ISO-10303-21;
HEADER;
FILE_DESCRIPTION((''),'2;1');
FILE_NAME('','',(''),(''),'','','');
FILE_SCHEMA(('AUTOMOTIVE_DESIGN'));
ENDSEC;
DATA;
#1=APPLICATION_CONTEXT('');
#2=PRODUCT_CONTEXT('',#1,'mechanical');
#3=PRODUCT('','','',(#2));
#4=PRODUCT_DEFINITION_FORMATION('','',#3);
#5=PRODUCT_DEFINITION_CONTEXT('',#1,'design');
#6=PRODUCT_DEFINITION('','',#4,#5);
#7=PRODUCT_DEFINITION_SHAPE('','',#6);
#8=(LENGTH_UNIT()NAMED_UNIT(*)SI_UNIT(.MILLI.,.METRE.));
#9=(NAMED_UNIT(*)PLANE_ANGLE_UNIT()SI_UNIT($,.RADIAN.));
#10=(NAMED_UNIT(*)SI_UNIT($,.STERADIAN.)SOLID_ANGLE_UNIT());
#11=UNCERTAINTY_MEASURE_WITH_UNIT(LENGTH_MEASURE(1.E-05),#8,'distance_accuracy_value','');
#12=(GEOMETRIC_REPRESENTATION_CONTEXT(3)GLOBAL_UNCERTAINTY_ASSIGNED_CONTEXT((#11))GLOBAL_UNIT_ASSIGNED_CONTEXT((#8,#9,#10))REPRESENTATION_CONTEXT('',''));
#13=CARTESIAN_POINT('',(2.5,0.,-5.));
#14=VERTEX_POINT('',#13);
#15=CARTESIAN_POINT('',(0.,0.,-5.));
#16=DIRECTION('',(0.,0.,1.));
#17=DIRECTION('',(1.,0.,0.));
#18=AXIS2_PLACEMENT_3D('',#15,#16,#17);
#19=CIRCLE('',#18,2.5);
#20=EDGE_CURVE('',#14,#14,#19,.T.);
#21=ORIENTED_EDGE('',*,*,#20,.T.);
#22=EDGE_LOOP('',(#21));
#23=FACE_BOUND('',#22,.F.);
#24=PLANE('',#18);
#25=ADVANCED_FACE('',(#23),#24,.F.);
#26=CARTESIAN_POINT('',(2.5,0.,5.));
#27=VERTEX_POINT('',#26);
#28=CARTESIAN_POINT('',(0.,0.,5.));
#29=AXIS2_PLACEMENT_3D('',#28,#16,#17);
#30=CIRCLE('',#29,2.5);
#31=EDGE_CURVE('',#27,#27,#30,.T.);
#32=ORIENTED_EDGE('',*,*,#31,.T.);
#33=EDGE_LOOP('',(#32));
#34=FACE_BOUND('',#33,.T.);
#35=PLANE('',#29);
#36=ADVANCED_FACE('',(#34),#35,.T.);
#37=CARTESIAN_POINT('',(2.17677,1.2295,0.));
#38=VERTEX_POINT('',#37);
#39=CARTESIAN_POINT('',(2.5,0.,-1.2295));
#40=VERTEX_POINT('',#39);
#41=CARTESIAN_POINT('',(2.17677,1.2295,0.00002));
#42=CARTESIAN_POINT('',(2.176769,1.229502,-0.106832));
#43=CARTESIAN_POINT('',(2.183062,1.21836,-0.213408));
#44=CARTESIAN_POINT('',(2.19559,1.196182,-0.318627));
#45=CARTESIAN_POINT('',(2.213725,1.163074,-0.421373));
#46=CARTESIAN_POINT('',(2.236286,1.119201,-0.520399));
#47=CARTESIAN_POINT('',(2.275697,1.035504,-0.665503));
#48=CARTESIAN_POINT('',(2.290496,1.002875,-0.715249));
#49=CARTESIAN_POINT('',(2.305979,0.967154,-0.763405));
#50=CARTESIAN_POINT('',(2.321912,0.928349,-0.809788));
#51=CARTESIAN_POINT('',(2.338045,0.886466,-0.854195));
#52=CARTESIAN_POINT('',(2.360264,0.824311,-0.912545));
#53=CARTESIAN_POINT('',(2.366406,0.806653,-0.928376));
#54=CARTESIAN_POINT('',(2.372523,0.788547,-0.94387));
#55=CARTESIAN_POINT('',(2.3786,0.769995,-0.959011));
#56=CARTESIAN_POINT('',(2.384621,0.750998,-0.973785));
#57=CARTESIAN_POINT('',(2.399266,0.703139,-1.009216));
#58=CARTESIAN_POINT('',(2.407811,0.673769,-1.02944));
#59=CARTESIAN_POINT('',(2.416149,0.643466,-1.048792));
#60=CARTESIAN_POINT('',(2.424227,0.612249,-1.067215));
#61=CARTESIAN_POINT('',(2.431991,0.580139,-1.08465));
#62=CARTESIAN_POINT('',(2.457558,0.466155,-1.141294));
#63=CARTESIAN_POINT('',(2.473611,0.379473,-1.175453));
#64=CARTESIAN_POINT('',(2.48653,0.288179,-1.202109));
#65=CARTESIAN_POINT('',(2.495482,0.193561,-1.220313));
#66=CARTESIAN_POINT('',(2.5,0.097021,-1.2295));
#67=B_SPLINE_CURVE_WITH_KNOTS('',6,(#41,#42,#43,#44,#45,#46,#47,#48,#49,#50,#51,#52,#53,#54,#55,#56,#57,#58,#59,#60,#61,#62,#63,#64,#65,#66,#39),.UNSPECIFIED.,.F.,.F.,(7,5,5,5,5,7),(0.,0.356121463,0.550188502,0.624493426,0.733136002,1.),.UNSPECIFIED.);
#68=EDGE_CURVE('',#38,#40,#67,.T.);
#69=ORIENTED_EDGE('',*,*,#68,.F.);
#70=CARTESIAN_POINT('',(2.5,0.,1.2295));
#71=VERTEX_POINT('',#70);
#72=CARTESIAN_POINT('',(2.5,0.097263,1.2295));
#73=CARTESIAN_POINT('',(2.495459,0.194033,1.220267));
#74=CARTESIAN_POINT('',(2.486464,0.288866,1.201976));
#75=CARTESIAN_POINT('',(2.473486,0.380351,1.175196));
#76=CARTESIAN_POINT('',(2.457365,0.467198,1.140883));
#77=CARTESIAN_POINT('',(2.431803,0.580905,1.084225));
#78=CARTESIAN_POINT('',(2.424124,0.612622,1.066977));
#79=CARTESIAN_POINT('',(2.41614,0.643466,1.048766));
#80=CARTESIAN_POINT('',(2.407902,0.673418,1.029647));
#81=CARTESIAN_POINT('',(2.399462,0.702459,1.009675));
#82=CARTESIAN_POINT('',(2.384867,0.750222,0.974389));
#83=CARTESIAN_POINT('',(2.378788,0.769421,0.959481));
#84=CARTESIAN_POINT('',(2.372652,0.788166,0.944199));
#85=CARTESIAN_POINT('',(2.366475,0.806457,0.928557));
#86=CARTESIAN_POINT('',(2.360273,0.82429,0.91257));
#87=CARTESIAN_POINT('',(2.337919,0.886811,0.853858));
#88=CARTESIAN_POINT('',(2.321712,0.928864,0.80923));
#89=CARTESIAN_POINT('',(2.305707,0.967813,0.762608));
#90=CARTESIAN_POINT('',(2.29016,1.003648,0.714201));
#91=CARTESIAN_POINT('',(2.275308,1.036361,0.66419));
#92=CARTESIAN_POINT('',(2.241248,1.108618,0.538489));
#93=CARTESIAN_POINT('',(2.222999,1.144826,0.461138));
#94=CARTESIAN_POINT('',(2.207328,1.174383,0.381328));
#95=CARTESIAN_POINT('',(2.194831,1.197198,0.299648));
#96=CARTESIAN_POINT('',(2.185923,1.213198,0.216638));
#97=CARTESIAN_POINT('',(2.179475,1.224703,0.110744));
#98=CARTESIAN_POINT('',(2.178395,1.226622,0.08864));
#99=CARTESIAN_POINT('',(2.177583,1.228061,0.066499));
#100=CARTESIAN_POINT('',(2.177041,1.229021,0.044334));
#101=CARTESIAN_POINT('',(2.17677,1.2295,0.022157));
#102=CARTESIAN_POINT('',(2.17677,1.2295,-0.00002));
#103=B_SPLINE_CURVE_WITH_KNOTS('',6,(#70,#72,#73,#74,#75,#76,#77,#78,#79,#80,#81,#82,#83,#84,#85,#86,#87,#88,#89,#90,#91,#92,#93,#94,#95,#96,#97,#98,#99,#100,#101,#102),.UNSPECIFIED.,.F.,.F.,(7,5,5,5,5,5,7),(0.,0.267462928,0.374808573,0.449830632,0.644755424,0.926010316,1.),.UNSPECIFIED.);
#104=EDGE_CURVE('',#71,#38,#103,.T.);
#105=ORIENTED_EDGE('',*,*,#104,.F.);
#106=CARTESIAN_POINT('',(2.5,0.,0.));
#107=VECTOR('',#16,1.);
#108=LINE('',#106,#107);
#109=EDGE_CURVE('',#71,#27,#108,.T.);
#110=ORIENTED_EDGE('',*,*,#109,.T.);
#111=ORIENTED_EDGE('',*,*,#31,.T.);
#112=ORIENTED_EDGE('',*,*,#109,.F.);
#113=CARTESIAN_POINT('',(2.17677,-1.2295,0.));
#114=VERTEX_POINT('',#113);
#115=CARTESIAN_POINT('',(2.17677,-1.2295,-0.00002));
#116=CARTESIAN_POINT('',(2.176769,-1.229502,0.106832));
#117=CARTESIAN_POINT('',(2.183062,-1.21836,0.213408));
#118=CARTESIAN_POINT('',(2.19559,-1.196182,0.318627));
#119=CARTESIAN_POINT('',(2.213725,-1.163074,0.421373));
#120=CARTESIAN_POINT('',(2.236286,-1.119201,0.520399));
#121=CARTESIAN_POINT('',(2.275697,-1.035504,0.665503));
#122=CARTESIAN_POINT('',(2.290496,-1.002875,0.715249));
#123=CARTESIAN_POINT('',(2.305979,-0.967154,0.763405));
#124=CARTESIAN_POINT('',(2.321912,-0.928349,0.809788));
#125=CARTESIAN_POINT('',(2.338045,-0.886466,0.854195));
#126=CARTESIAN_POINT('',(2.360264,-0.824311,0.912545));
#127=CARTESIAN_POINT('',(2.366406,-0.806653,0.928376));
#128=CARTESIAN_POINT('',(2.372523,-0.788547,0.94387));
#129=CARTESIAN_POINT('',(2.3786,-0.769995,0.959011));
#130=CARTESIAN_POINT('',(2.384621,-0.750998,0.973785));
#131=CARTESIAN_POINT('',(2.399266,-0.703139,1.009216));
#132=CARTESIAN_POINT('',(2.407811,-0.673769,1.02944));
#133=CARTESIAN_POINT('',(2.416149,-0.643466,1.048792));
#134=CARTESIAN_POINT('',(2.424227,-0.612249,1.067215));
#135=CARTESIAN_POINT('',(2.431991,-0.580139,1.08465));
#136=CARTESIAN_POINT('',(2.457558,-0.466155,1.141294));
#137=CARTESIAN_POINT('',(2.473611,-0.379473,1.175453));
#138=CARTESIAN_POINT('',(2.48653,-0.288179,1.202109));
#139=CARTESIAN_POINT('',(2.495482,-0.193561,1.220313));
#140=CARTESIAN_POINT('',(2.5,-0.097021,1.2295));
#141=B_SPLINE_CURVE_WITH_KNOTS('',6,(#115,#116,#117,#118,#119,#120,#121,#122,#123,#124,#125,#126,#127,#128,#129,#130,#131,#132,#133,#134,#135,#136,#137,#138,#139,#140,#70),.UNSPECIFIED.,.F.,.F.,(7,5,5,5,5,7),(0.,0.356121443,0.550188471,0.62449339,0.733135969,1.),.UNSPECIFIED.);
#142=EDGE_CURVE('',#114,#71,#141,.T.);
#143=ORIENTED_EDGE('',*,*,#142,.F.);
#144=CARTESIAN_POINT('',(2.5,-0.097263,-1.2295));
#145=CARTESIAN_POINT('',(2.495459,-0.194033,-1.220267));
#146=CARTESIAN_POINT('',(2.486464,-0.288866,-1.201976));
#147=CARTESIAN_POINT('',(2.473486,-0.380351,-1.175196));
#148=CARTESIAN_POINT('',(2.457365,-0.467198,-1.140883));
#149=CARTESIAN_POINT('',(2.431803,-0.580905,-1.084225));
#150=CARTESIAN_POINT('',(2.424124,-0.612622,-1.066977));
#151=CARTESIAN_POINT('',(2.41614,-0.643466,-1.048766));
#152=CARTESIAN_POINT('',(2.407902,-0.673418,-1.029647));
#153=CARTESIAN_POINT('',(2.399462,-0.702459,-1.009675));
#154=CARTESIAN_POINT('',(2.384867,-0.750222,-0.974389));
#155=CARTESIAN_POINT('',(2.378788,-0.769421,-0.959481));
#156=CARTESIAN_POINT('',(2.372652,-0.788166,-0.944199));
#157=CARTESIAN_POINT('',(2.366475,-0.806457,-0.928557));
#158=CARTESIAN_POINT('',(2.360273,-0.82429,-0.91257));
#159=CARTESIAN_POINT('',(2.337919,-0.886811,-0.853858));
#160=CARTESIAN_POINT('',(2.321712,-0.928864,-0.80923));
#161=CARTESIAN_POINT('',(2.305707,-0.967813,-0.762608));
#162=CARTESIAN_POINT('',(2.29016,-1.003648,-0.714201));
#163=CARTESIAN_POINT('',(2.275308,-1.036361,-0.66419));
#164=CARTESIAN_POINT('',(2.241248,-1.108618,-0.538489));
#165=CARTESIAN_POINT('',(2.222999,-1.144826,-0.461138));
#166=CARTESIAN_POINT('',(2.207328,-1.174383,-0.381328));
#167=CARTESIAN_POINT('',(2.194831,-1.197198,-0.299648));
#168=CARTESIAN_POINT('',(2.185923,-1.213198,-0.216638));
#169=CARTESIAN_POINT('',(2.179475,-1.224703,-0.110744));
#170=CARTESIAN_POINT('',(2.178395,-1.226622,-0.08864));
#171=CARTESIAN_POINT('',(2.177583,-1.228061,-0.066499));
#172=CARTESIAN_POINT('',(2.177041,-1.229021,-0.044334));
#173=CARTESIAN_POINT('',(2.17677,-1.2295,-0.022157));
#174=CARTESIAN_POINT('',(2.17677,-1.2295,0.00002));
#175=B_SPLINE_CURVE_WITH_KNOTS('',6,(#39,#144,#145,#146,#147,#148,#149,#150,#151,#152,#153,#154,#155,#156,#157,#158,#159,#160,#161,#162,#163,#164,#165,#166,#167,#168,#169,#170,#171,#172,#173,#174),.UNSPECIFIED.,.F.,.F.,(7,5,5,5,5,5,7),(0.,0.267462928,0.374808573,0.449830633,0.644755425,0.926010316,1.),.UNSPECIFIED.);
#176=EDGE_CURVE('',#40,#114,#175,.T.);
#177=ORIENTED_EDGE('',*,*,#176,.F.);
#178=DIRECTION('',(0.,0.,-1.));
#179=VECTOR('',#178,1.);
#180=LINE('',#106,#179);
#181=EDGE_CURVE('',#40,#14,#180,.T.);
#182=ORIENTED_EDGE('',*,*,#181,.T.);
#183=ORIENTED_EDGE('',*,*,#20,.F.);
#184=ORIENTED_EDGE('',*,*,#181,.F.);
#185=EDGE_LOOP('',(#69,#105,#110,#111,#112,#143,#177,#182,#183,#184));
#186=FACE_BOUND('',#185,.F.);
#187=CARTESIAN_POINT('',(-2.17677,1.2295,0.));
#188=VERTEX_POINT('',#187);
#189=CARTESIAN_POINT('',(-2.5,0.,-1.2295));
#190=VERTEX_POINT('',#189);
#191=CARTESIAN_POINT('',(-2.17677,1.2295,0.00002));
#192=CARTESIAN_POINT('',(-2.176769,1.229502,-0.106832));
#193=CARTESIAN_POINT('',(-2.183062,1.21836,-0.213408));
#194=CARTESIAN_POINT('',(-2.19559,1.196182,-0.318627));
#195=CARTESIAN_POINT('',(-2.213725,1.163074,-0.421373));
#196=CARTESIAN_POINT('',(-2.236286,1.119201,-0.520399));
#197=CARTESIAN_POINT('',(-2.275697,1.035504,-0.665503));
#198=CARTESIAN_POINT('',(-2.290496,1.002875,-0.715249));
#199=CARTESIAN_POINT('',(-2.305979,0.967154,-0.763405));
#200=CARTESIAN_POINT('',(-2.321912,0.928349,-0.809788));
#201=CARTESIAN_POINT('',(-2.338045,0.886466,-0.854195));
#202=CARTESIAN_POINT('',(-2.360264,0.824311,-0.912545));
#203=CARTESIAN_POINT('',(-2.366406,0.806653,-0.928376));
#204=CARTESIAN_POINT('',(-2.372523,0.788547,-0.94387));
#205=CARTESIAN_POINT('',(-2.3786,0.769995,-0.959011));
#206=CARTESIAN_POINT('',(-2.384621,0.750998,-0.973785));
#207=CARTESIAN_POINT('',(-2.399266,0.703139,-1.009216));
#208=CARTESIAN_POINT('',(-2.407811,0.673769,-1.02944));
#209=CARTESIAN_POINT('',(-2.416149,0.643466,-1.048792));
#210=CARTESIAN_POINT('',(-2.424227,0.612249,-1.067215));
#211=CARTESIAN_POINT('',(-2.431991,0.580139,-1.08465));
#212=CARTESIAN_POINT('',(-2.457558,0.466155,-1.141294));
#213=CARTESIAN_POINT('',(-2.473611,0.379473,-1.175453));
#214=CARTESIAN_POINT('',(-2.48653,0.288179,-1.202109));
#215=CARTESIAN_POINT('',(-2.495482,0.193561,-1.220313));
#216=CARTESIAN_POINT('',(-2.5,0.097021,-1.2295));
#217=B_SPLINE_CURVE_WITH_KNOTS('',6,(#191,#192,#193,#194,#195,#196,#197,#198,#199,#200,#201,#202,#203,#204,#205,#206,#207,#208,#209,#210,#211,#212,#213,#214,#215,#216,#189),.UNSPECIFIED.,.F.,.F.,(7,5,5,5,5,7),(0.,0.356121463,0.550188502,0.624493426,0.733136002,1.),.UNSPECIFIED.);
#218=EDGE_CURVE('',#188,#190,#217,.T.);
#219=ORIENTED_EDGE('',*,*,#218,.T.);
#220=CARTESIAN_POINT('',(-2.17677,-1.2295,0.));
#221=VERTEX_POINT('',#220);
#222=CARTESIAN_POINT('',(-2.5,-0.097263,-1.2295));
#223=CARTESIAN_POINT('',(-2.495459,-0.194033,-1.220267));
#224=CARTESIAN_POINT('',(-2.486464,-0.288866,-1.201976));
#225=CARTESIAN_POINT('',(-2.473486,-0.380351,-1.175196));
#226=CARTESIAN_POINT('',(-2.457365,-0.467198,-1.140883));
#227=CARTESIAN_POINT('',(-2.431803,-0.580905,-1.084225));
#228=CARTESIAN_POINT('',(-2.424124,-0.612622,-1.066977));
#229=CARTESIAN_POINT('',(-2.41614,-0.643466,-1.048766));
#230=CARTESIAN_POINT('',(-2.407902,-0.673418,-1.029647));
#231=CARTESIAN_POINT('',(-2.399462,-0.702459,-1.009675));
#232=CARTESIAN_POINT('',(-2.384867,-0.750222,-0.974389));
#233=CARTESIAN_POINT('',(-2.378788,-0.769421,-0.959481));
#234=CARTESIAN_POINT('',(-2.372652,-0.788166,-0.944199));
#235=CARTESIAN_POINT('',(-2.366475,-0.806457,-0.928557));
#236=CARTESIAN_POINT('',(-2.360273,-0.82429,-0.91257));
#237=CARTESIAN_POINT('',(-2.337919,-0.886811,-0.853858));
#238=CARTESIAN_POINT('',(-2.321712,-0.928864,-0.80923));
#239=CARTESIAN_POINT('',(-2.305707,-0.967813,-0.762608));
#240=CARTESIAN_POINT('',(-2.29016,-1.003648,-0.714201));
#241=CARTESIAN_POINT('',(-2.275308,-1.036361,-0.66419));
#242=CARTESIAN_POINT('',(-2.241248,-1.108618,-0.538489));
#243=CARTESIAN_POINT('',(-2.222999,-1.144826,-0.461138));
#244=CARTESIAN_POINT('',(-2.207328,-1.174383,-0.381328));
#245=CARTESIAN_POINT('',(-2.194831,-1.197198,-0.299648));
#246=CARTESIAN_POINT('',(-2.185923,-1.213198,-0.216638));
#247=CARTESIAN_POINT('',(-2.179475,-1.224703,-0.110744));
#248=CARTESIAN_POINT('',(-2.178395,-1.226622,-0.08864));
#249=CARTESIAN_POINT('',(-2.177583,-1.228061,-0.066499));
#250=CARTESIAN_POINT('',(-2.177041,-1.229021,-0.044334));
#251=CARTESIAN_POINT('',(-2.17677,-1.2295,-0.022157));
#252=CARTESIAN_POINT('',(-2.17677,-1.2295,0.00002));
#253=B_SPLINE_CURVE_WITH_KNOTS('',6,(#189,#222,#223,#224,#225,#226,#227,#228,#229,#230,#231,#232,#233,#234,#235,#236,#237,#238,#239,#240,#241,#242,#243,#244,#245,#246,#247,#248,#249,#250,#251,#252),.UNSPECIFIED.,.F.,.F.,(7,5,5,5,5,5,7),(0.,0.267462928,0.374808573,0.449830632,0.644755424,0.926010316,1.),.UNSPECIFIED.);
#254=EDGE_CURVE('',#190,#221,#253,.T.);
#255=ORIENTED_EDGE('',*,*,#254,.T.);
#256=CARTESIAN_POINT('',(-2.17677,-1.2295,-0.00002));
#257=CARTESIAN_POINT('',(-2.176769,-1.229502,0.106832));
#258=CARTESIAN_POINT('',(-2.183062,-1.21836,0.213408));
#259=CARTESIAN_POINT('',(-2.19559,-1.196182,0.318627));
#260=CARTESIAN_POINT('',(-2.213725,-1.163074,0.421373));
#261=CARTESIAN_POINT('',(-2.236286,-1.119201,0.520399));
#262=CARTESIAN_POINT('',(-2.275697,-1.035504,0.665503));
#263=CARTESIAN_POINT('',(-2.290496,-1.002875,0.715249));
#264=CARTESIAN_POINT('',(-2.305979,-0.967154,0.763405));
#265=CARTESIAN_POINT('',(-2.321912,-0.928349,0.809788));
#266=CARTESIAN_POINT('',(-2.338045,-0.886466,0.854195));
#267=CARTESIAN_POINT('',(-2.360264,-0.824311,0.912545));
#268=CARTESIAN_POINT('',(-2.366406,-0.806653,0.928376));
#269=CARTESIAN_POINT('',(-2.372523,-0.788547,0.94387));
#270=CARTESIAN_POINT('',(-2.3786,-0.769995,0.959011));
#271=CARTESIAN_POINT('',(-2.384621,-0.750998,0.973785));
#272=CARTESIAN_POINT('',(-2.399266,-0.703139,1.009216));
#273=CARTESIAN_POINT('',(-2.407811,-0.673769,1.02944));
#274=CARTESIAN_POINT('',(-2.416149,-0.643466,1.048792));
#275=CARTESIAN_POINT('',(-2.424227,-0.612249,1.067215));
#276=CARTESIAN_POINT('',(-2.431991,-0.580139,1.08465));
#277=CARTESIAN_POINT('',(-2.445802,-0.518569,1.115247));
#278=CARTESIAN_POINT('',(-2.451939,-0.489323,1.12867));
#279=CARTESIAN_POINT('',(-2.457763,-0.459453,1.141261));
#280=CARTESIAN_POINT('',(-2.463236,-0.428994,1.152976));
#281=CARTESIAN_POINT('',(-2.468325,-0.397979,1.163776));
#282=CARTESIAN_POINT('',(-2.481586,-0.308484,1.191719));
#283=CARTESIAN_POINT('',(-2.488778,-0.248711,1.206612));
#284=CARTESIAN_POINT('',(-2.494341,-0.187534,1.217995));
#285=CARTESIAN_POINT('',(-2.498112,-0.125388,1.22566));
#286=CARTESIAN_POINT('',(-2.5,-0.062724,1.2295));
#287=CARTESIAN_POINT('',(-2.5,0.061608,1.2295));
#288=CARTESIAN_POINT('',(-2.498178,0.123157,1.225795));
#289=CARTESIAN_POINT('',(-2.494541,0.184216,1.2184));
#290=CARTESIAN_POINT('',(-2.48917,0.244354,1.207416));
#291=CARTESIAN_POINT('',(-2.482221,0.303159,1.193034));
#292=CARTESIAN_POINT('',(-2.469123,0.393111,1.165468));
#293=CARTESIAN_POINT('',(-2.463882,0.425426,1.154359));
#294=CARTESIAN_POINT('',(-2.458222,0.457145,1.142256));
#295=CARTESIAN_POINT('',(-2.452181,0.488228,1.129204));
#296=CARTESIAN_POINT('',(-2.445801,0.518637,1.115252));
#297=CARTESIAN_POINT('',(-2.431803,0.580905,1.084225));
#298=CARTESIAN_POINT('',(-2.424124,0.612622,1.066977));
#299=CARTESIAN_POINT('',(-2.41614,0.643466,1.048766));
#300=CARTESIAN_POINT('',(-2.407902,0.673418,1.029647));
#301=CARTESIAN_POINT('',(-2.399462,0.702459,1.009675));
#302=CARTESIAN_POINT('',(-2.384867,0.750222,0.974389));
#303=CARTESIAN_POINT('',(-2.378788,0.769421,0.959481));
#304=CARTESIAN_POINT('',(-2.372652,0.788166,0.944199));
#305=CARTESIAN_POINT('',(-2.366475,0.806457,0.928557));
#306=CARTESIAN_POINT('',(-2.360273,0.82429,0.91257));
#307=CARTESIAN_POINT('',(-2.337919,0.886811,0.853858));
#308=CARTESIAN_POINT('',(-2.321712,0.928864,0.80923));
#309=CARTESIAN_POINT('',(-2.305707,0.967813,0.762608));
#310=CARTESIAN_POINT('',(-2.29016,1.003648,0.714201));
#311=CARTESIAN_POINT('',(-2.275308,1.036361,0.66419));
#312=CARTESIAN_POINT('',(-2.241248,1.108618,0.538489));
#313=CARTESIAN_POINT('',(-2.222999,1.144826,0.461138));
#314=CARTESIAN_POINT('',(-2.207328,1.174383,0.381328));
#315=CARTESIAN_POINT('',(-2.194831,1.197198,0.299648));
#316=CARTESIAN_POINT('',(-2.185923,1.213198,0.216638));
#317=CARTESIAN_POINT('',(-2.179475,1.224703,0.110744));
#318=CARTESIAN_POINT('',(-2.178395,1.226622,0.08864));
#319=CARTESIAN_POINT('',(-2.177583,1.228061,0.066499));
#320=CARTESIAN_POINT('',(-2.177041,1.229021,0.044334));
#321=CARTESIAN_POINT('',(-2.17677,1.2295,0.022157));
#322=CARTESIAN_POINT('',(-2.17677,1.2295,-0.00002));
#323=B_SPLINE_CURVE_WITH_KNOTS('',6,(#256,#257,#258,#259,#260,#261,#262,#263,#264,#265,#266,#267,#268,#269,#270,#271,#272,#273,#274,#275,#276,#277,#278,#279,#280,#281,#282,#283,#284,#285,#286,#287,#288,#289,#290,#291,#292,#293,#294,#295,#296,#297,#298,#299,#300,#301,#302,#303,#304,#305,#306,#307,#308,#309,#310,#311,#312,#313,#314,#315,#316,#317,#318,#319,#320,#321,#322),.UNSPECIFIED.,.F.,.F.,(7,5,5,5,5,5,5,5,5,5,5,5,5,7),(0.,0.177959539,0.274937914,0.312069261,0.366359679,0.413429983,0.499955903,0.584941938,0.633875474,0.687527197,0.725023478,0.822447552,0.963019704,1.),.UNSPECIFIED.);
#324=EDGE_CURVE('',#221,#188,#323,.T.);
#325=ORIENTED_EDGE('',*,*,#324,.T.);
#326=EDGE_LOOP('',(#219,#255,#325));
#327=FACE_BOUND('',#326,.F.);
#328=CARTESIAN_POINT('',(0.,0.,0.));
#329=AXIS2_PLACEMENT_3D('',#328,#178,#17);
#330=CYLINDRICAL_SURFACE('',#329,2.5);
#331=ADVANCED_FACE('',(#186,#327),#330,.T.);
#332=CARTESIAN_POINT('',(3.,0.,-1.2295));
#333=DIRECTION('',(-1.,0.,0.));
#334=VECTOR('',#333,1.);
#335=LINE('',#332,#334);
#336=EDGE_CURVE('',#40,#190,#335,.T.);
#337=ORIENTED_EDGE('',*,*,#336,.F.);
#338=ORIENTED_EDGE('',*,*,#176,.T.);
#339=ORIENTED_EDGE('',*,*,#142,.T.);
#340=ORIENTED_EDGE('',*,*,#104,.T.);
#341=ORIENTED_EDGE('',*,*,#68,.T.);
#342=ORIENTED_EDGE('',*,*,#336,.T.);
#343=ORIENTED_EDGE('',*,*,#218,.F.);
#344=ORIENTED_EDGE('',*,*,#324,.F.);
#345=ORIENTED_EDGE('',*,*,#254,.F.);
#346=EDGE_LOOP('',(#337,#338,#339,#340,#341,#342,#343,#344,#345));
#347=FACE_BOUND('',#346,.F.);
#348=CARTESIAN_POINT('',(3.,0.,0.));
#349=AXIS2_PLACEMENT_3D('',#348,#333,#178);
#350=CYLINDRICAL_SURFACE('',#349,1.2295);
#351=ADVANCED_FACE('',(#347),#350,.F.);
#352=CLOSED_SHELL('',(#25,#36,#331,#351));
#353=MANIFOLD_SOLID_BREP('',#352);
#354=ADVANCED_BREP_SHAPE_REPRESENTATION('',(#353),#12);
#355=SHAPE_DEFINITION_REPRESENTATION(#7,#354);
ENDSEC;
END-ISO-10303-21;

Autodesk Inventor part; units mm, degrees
ref_plane "XZ Plane" through (0, 0, 0) normal (0, 1, 0) x (-1, 0, 0)
ref_plane "XY Plane" through (0, 0, 0) normal (0, 0, 1) x (1, 0, 0)
sketch "Sketch1" plane through (0, 0, 0) normal (0, 0, 1) x (1, 0, 0)
  circle A0 centre (0, 0) radius 2.5
  dimension "d0" = 5
extrude "Extrusion1" add sketch "Sketch1" along normal mid plane 10
ref_plane "Work Plane1" through (3, 0, 0) normal (1, 0, 0) x (0, 1, 0)
sketch "Sketch3" plane through (3, 0, 0) normal (1, 0, 0) x (0, 1, 0)
  point P0 (0, 0)
hole "Hole1" at (3, 0, 0) direction (-1, 0, 0) diameter 2.459 end through all thread size "M3x0.5" class "6H" standard "ISO Metric profile"
properties part number "P109" material "Acier / Stahl"
